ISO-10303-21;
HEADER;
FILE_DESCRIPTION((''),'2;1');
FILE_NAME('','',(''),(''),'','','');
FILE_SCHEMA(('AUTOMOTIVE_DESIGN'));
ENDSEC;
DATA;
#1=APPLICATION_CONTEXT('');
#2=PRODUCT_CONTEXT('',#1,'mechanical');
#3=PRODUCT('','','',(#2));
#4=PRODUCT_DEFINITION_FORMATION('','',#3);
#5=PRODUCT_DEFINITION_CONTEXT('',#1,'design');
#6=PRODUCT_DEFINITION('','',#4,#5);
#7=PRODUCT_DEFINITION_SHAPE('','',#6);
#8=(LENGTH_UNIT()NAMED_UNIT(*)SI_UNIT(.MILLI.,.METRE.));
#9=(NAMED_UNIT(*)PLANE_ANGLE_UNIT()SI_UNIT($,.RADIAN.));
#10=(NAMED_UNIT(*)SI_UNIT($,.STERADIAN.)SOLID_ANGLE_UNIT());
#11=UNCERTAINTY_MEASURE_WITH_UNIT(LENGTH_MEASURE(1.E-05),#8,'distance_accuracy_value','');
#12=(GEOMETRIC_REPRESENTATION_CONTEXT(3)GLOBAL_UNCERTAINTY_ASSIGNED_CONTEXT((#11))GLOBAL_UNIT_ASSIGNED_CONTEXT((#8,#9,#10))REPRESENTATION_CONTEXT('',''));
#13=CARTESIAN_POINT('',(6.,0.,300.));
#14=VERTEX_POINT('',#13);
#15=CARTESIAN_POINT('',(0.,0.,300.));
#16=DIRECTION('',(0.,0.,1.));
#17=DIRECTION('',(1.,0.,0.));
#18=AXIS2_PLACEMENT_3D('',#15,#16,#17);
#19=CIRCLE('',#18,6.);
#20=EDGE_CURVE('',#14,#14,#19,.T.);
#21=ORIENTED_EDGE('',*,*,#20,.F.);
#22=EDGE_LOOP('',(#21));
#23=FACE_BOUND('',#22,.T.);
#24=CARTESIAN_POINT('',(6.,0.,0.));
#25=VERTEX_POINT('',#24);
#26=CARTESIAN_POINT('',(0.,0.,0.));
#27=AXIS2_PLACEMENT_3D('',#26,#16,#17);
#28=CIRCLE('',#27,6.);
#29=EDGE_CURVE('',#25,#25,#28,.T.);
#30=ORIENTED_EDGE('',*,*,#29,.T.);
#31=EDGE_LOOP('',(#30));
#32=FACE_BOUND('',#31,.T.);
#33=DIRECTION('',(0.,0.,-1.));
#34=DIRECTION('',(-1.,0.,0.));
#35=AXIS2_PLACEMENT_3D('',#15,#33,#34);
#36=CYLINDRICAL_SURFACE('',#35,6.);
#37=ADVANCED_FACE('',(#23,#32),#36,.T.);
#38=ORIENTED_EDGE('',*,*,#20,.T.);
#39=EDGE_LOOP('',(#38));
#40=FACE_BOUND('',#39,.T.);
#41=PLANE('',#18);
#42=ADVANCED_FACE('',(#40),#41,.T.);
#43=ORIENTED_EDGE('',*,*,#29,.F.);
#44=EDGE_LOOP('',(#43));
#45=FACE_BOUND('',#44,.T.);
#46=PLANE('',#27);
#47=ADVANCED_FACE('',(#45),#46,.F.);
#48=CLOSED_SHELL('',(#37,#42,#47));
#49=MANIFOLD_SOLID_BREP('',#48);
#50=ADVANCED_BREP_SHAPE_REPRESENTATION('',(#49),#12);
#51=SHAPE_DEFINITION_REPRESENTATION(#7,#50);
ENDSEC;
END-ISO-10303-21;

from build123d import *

# Parameters (mm, degrees)
SKIZZE1_R                       = 6
AUFSATZ_LINEAR_AUSTRAGEN1_DEPTH = 300


with BuildPart() as part:
    # Skizze1 → Aufsatz-Linear austragen1 (new body)
    with BuildSketch(Plane.XY):
        Circle(SKIZZE1_R)
    extrude(amount=AUFSATZ_LINEAR_AUSTRAGEN1_DEPTH)


solid = part.part
